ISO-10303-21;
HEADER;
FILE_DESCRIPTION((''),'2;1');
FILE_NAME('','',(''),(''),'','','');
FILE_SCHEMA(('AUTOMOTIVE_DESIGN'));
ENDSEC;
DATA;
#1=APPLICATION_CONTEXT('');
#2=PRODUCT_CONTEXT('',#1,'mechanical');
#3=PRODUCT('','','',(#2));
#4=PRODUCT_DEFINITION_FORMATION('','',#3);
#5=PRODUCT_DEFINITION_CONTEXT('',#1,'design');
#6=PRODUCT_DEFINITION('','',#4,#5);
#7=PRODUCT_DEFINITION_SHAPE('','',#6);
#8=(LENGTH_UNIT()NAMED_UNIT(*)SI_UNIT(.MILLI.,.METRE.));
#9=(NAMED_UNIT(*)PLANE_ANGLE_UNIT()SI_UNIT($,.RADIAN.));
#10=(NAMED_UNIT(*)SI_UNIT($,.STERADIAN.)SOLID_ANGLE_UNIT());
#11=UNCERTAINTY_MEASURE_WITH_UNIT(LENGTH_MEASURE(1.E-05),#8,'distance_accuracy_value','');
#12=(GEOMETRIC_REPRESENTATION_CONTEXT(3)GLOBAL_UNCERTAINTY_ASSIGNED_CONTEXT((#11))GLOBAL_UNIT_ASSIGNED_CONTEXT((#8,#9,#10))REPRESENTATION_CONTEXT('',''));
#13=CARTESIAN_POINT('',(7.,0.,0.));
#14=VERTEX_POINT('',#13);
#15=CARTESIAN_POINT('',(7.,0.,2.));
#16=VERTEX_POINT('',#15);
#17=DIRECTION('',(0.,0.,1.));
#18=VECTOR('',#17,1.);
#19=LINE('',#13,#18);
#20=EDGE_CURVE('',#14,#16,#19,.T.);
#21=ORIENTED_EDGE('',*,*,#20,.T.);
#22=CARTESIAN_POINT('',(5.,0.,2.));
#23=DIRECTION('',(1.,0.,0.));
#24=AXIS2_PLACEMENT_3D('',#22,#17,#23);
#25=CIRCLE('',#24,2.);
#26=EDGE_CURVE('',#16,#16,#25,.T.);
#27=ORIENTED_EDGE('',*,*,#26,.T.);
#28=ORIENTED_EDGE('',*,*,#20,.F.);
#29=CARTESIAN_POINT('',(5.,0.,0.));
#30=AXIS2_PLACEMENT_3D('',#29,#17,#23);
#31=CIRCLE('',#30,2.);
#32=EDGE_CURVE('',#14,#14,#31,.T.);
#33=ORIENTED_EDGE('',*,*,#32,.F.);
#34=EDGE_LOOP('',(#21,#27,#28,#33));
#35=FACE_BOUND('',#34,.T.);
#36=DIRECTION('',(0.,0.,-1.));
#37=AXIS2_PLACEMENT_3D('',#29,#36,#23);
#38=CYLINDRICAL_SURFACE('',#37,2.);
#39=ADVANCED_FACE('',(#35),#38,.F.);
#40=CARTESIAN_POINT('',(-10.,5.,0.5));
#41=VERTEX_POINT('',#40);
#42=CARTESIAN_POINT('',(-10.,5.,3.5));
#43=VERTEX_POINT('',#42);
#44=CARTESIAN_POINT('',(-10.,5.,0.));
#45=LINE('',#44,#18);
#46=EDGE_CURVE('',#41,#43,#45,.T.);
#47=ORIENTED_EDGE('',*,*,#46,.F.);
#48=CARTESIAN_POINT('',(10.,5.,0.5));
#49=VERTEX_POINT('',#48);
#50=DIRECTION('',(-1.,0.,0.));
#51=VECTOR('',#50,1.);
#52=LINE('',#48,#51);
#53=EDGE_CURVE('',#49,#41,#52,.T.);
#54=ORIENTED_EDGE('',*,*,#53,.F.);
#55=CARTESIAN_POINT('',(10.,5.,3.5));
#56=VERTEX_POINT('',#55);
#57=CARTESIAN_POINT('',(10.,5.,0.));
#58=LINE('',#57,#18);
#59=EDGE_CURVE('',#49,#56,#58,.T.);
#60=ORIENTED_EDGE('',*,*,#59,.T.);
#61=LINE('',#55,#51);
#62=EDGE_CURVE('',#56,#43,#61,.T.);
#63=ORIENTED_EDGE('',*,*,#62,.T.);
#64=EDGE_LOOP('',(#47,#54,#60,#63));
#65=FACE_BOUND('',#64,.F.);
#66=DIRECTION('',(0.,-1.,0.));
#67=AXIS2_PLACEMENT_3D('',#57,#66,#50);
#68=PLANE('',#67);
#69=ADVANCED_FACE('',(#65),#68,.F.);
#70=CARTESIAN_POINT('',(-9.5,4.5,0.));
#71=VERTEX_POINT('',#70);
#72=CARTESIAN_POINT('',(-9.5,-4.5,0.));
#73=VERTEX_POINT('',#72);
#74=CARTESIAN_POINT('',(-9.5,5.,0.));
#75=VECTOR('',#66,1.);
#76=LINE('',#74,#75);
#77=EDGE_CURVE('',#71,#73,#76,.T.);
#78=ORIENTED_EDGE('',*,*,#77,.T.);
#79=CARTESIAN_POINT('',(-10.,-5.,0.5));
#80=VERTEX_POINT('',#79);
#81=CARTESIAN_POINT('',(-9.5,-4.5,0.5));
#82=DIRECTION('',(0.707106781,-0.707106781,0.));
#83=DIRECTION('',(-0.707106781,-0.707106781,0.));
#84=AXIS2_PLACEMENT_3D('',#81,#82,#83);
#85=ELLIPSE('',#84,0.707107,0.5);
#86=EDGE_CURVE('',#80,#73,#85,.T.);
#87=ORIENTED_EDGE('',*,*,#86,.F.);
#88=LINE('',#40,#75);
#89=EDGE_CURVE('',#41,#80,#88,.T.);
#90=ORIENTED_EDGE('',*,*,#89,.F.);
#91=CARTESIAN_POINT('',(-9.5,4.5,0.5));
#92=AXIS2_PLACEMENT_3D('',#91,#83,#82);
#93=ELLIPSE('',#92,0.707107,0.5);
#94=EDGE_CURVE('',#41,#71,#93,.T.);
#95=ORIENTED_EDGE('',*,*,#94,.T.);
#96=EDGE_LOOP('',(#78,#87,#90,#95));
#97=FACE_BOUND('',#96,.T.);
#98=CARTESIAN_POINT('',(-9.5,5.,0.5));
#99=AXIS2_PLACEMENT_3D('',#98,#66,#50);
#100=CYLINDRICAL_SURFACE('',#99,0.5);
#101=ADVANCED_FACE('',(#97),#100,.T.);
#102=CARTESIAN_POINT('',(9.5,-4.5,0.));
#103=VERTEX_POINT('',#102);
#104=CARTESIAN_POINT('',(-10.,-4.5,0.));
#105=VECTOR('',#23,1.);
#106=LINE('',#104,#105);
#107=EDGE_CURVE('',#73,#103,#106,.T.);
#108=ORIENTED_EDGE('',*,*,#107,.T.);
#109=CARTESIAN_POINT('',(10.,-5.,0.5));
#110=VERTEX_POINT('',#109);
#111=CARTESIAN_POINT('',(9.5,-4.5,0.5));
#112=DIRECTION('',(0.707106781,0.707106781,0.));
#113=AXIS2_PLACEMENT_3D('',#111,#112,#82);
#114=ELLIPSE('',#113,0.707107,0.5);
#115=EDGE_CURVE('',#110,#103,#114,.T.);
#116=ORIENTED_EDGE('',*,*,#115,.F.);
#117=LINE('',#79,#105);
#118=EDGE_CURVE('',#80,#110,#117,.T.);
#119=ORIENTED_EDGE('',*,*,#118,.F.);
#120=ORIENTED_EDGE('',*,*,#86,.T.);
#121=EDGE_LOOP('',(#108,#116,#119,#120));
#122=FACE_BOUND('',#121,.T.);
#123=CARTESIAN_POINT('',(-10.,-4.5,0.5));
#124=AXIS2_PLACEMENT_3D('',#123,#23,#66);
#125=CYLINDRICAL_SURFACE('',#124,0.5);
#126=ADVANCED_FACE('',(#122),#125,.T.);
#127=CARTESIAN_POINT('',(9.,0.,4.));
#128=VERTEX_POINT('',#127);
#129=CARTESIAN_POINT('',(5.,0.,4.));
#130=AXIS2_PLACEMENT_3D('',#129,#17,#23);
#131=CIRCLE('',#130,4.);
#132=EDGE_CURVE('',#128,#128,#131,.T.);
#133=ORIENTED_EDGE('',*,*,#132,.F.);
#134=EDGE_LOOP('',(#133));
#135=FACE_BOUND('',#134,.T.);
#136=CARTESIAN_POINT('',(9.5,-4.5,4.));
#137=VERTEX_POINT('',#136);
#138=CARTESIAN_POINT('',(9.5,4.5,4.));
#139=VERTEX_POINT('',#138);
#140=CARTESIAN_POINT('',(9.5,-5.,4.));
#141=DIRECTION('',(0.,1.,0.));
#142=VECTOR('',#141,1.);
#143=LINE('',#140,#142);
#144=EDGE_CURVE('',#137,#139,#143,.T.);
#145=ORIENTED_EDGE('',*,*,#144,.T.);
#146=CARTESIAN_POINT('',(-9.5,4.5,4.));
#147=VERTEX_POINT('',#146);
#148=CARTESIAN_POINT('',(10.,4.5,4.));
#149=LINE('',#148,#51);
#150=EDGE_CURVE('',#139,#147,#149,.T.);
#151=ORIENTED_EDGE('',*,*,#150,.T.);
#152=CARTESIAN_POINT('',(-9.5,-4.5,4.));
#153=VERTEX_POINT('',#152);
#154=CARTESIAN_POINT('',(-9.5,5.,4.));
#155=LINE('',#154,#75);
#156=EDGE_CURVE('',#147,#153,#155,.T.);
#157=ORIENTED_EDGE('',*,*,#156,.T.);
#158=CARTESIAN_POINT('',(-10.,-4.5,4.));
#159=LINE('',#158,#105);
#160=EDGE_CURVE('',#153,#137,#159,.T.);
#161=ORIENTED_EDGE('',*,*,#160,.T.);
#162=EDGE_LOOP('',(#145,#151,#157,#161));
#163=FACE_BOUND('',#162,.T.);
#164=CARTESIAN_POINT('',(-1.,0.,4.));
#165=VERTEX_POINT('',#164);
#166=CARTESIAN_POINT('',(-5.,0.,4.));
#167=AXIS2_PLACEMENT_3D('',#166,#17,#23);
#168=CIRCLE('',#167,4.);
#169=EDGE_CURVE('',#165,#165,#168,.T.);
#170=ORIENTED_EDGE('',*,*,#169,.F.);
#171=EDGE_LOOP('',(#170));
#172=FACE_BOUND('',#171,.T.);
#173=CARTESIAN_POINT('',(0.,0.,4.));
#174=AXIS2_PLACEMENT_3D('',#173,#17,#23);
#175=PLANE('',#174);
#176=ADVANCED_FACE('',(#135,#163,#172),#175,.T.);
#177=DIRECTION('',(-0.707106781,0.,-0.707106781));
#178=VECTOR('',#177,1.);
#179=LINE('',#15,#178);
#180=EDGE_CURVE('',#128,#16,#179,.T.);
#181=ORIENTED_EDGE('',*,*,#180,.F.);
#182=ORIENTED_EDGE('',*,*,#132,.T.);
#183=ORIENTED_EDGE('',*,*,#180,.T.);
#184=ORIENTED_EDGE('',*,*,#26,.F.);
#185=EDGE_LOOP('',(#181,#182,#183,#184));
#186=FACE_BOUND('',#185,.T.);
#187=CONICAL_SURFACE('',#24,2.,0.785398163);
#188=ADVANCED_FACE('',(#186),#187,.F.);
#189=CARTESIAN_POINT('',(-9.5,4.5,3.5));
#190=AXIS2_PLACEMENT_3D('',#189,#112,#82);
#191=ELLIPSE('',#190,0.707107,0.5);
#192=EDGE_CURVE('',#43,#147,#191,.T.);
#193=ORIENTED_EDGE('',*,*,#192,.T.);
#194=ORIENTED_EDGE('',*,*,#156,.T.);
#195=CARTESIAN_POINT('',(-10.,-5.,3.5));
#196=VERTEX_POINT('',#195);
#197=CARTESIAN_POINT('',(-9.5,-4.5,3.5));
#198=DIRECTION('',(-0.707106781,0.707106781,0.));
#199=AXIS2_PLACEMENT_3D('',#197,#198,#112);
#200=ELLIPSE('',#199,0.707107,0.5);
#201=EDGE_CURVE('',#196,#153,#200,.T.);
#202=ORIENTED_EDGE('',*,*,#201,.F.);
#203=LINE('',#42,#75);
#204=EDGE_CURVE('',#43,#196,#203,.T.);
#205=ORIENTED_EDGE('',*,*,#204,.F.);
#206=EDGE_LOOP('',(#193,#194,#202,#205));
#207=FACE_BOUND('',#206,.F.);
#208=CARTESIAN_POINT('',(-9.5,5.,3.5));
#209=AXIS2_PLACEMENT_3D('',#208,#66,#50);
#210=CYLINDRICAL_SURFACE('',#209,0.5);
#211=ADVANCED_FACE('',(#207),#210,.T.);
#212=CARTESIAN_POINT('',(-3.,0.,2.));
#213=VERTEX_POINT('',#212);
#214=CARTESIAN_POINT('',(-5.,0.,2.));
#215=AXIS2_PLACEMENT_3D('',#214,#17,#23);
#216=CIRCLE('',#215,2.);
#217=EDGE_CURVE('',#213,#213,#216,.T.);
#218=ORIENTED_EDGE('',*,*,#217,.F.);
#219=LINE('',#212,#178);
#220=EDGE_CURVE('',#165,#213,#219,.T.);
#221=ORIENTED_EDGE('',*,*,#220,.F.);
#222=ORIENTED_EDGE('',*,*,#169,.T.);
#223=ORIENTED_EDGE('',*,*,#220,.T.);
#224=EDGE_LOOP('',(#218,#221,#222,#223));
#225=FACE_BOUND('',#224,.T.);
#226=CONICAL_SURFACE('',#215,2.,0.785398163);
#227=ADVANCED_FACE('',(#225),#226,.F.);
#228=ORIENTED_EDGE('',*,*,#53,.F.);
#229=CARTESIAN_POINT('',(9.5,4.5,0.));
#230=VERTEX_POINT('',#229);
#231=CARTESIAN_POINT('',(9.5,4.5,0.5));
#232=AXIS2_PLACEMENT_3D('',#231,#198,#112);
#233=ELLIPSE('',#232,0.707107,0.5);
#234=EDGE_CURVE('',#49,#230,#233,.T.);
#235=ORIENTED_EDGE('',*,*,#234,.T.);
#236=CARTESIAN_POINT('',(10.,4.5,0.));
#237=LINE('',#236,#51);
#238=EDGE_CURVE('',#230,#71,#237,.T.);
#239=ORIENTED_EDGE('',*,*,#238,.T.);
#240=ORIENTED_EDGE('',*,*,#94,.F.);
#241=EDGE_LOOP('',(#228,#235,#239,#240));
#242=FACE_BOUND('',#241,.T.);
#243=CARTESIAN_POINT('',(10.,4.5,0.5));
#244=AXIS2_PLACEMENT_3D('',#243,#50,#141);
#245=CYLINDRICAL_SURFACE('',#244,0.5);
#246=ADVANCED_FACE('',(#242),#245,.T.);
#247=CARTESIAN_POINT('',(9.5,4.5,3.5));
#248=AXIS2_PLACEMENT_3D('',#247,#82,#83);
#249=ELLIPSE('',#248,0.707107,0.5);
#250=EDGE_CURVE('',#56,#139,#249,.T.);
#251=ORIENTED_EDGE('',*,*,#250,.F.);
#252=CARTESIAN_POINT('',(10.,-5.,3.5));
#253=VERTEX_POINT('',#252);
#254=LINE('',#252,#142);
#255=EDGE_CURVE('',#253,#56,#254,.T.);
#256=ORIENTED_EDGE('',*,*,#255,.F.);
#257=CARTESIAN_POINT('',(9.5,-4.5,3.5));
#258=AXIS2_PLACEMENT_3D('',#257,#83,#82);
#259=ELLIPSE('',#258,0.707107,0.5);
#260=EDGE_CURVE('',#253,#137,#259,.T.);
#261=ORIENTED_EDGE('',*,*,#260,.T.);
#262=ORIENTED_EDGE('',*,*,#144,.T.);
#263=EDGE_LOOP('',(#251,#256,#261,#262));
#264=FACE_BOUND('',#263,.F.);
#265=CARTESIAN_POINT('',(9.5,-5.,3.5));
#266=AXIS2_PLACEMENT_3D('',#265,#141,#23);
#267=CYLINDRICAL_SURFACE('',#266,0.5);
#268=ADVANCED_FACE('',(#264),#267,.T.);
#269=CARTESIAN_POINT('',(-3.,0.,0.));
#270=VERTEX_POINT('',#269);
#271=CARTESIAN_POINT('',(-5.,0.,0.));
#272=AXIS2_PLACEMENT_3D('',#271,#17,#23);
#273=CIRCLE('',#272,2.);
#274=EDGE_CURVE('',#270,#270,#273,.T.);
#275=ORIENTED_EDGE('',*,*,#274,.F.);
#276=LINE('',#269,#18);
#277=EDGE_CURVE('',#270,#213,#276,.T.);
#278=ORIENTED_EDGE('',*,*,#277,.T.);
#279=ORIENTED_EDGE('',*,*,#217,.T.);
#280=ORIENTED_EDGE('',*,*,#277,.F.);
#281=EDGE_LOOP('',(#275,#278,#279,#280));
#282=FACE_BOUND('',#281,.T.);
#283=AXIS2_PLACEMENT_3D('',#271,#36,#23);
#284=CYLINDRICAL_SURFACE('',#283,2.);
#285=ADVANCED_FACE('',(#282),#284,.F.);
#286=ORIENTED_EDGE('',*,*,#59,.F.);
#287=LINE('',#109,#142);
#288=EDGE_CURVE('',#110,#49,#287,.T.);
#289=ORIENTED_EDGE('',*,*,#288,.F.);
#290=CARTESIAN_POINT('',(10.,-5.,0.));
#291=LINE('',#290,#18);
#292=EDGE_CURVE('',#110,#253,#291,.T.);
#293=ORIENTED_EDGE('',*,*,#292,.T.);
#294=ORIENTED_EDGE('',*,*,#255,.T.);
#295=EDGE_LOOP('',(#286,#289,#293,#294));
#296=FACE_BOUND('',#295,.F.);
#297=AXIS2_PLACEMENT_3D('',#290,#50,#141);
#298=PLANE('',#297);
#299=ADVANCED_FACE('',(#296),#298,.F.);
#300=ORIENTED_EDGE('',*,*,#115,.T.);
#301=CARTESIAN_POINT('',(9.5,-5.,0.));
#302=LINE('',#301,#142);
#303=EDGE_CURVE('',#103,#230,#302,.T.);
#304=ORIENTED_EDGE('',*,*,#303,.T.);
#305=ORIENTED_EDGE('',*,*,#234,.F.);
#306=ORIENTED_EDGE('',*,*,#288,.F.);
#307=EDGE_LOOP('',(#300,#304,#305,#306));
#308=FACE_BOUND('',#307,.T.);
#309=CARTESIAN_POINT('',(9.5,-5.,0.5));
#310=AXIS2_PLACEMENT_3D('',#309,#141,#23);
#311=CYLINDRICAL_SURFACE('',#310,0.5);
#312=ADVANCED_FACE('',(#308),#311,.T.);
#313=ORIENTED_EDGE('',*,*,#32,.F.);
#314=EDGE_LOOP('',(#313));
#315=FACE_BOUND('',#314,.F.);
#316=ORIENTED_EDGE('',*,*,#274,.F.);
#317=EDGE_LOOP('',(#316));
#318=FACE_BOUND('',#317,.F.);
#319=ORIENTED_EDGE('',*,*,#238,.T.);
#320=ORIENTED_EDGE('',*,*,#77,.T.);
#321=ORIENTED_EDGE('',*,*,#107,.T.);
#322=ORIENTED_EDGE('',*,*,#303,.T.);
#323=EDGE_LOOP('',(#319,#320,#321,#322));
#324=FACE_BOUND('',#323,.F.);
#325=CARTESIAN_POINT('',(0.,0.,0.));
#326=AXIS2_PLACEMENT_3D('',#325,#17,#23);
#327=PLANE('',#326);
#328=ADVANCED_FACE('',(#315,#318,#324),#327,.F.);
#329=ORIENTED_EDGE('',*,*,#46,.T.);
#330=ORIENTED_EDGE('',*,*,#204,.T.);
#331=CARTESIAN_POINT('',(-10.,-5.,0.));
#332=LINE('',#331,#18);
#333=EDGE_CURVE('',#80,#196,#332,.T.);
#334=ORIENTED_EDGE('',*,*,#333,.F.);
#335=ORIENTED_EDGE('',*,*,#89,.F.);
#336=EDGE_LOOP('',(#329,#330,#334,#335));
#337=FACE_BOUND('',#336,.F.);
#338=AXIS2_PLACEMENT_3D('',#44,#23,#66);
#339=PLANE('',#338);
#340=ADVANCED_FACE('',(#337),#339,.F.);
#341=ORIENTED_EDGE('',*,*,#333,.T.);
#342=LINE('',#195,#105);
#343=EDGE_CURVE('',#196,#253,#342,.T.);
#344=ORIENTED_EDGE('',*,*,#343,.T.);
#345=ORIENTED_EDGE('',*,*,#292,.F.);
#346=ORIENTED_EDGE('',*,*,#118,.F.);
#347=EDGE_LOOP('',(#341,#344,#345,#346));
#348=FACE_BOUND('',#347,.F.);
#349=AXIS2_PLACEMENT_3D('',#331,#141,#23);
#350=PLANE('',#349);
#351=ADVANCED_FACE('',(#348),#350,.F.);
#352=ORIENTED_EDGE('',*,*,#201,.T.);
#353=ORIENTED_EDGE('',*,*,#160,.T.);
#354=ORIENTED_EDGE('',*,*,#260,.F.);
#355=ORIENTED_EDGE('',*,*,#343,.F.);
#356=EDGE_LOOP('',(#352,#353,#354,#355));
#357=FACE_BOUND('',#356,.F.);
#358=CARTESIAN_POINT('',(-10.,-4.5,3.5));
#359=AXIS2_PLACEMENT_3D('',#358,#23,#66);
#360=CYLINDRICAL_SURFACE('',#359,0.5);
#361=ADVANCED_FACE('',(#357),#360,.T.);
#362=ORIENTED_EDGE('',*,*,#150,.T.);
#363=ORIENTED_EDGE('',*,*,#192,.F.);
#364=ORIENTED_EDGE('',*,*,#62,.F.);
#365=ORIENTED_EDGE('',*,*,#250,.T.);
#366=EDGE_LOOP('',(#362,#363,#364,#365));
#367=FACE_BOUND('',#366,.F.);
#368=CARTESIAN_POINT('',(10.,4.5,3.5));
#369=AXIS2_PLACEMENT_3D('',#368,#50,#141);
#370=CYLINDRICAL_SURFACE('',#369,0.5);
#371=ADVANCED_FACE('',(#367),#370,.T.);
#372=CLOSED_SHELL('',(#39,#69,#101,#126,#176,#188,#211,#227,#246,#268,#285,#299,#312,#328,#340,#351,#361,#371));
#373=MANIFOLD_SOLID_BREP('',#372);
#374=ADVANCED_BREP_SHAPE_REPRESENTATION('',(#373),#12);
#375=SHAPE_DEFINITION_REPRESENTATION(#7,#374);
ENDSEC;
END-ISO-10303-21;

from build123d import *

# Parameters (mm, degrees)
F0_R     = 2
F1_DEPTH = 4
F2_R     = 0.5
F3_SIZE  = 2


with BuildPart() as f1:
    # F0 (on Top) → F1 (new body)
    with BuildSketch(Plane.XY):
        Polygon((0, -5), (10, -5), (10, 5), (0, 5), (-10, 5), (-10, -5), align=None)
        with Locations((-5, 0)):
            Circle(F0_R, mode=Mode.SUBTRACT)
        with Locations((5, 0)):
            Circle(F0_R, mode=Mode.SUBTRACT)
    extrude(amount=F1_DEPTH)

    # F2
    f2_edges = [f1.edges().sort_by_distance(p)[0] for p in [
        (0, -5, 4),
        (-10, 0, 4),
        (0, 5, 4),
        (10, 0, 4),
        (-10, 0, 0),
        (0, -5, 0),
        (10, 0, 0),
        (0, 5, 0),
    ]]
    fillet(f2_edges, radius=F2_R)

    # F3
    f3_edges = [f1.edges().sort_by_distance(p)[0] for p in [
        (3, 0, 4),
        (-7, 0, 4),
    ]]
    chamfer(f3_edges, length=F3_SIZE)


solid = f1.part
